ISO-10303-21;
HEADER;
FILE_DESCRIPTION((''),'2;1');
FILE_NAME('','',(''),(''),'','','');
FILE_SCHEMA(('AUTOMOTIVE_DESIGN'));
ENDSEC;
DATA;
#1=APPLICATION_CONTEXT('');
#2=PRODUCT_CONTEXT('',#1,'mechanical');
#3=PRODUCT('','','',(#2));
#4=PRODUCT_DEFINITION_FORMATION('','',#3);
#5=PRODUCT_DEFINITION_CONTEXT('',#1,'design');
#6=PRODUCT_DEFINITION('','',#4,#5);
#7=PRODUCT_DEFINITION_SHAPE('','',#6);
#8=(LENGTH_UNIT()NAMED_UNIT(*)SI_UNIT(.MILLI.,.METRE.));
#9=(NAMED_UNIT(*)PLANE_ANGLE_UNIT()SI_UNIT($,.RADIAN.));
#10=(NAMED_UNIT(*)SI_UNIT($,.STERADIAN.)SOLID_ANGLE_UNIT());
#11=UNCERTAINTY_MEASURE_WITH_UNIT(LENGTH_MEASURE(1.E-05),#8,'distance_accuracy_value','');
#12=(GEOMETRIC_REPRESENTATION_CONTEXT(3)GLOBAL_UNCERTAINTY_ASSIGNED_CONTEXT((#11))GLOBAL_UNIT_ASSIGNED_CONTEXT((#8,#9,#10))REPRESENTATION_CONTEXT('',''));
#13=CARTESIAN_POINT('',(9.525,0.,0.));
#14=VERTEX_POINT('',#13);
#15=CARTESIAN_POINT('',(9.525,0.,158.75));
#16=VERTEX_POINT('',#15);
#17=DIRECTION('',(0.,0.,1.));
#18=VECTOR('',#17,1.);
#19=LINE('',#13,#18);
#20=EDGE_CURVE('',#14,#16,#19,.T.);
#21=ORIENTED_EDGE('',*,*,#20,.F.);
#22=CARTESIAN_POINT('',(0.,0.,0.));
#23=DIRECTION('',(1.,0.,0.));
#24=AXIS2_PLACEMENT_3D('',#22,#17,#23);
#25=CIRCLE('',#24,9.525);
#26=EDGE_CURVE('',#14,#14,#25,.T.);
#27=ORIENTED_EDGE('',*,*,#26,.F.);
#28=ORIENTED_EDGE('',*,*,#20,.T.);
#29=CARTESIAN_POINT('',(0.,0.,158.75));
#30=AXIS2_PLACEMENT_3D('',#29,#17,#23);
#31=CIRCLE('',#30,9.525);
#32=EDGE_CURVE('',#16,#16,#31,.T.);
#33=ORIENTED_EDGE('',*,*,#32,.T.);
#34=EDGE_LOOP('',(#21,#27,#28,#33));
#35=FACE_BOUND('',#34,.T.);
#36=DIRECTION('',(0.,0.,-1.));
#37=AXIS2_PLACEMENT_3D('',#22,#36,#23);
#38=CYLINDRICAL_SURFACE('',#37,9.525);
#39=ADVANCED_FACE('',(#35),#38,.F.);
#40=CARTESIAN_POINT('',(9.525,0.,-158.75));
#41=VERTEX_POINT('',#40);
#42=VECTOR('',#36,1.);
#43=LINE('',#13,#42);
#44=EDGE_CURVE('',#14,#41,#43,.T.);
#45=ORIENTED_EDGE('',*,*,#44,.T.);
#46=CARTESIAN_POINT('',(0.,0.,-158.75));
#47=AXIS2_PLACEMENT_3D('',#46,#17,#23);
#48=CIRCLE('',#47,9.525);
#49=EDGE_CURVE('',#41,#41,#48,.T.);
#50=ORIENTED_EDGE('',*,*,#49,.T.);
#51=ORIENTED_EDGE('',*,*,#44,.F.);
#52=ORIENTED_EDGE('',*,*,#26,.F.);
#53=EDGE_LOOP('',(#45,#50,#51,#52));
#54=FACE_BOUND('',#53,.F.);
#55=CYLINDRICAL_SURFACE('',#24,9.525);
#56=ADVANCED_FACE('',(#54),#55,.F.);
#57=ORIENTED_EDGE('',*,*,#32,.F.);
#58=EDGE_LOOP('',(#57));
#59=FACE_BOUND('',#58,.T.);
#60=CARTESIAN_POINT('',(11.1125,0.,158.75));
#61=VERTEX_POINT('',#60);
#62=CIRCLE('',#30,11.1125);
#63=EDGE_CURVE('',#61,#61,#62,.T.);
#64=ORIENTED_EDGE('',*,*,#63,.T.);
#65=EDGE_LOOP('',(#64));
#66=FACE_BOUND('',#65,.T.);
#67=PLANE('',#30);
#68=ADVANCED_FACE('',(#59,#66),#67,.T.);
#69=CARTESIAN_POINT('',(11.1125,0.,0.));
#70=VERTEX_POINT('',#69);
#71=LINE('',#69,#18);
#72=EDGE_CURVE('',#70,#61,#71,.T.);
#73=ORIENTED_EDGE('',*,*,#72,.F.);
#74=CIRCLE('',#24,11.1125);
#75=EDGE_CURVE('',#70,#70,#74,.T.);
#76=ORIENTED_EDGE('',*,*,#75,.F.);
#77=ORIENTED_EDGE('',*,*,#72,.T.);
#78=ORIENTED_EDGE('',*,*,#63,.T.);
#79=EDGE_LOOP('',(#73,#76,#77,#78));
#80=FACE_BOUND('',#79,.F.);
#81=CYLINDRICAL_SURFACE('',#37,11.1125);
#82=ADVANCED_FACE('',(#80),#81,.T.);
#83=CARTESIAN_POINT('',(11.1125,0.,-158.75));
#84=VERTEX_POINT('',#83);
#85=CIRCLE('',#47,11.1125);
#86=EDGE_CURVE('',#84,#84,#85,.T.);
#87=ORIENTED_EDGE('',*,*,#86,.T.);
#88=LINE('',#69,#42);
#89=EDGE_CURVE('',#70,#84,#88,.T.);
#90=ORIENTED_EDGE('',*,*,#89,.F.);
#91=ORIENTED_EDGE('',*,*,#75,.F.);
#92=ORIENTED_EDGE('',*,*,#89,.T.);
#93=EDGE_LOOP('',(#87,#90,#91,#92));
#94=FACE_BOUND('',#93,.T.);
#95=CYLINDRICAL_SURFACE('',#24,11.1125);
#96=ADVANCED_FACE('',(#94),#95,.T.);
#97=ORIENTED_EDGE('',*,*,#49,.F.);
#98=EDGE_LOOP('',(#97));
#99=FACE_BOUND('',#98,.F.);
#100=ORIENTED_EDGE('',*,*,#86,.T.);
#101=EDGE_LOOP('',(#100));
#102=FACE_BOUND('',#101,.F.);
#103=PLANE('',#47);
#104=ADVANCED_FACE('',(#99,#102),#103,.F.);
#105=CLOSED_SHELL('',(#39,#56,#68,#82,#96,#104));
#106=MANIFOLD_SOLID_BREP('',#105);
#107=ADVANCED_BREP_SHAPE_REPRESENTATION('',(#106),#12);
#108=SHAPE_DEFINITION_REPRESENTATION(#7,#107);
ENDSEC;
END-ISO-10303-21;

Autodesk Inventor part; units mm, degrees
ref_plane "YZ Plane" through (0, 0, 0) normal (1, 0, 0) x (0, 1, 0)
ref_plane "XZ Plane" through (0, 0, 0) normal (0, 1, 0) x (-1, 0, 0)
ref_plane "XY Plane" through (0, 0, 0) normal (0, 0, 1) x (1, 0, 0)
sketch "Sketch1" plane through (0, 0, 0) normal (0, 0, 1) x (1, 0, 0)
  circle A0 centre (0, 0) radius 11.1125
  circle A1 centre (0, 0) radius 9.525
  dimension "d0" = 22.225
  dimension "d1" = 1.5875
extrude "Extrusion1" add sketch "Sketch1" along normal mid plane 317.5
properties part number "CL7-003" material "Aluminum 6061"
